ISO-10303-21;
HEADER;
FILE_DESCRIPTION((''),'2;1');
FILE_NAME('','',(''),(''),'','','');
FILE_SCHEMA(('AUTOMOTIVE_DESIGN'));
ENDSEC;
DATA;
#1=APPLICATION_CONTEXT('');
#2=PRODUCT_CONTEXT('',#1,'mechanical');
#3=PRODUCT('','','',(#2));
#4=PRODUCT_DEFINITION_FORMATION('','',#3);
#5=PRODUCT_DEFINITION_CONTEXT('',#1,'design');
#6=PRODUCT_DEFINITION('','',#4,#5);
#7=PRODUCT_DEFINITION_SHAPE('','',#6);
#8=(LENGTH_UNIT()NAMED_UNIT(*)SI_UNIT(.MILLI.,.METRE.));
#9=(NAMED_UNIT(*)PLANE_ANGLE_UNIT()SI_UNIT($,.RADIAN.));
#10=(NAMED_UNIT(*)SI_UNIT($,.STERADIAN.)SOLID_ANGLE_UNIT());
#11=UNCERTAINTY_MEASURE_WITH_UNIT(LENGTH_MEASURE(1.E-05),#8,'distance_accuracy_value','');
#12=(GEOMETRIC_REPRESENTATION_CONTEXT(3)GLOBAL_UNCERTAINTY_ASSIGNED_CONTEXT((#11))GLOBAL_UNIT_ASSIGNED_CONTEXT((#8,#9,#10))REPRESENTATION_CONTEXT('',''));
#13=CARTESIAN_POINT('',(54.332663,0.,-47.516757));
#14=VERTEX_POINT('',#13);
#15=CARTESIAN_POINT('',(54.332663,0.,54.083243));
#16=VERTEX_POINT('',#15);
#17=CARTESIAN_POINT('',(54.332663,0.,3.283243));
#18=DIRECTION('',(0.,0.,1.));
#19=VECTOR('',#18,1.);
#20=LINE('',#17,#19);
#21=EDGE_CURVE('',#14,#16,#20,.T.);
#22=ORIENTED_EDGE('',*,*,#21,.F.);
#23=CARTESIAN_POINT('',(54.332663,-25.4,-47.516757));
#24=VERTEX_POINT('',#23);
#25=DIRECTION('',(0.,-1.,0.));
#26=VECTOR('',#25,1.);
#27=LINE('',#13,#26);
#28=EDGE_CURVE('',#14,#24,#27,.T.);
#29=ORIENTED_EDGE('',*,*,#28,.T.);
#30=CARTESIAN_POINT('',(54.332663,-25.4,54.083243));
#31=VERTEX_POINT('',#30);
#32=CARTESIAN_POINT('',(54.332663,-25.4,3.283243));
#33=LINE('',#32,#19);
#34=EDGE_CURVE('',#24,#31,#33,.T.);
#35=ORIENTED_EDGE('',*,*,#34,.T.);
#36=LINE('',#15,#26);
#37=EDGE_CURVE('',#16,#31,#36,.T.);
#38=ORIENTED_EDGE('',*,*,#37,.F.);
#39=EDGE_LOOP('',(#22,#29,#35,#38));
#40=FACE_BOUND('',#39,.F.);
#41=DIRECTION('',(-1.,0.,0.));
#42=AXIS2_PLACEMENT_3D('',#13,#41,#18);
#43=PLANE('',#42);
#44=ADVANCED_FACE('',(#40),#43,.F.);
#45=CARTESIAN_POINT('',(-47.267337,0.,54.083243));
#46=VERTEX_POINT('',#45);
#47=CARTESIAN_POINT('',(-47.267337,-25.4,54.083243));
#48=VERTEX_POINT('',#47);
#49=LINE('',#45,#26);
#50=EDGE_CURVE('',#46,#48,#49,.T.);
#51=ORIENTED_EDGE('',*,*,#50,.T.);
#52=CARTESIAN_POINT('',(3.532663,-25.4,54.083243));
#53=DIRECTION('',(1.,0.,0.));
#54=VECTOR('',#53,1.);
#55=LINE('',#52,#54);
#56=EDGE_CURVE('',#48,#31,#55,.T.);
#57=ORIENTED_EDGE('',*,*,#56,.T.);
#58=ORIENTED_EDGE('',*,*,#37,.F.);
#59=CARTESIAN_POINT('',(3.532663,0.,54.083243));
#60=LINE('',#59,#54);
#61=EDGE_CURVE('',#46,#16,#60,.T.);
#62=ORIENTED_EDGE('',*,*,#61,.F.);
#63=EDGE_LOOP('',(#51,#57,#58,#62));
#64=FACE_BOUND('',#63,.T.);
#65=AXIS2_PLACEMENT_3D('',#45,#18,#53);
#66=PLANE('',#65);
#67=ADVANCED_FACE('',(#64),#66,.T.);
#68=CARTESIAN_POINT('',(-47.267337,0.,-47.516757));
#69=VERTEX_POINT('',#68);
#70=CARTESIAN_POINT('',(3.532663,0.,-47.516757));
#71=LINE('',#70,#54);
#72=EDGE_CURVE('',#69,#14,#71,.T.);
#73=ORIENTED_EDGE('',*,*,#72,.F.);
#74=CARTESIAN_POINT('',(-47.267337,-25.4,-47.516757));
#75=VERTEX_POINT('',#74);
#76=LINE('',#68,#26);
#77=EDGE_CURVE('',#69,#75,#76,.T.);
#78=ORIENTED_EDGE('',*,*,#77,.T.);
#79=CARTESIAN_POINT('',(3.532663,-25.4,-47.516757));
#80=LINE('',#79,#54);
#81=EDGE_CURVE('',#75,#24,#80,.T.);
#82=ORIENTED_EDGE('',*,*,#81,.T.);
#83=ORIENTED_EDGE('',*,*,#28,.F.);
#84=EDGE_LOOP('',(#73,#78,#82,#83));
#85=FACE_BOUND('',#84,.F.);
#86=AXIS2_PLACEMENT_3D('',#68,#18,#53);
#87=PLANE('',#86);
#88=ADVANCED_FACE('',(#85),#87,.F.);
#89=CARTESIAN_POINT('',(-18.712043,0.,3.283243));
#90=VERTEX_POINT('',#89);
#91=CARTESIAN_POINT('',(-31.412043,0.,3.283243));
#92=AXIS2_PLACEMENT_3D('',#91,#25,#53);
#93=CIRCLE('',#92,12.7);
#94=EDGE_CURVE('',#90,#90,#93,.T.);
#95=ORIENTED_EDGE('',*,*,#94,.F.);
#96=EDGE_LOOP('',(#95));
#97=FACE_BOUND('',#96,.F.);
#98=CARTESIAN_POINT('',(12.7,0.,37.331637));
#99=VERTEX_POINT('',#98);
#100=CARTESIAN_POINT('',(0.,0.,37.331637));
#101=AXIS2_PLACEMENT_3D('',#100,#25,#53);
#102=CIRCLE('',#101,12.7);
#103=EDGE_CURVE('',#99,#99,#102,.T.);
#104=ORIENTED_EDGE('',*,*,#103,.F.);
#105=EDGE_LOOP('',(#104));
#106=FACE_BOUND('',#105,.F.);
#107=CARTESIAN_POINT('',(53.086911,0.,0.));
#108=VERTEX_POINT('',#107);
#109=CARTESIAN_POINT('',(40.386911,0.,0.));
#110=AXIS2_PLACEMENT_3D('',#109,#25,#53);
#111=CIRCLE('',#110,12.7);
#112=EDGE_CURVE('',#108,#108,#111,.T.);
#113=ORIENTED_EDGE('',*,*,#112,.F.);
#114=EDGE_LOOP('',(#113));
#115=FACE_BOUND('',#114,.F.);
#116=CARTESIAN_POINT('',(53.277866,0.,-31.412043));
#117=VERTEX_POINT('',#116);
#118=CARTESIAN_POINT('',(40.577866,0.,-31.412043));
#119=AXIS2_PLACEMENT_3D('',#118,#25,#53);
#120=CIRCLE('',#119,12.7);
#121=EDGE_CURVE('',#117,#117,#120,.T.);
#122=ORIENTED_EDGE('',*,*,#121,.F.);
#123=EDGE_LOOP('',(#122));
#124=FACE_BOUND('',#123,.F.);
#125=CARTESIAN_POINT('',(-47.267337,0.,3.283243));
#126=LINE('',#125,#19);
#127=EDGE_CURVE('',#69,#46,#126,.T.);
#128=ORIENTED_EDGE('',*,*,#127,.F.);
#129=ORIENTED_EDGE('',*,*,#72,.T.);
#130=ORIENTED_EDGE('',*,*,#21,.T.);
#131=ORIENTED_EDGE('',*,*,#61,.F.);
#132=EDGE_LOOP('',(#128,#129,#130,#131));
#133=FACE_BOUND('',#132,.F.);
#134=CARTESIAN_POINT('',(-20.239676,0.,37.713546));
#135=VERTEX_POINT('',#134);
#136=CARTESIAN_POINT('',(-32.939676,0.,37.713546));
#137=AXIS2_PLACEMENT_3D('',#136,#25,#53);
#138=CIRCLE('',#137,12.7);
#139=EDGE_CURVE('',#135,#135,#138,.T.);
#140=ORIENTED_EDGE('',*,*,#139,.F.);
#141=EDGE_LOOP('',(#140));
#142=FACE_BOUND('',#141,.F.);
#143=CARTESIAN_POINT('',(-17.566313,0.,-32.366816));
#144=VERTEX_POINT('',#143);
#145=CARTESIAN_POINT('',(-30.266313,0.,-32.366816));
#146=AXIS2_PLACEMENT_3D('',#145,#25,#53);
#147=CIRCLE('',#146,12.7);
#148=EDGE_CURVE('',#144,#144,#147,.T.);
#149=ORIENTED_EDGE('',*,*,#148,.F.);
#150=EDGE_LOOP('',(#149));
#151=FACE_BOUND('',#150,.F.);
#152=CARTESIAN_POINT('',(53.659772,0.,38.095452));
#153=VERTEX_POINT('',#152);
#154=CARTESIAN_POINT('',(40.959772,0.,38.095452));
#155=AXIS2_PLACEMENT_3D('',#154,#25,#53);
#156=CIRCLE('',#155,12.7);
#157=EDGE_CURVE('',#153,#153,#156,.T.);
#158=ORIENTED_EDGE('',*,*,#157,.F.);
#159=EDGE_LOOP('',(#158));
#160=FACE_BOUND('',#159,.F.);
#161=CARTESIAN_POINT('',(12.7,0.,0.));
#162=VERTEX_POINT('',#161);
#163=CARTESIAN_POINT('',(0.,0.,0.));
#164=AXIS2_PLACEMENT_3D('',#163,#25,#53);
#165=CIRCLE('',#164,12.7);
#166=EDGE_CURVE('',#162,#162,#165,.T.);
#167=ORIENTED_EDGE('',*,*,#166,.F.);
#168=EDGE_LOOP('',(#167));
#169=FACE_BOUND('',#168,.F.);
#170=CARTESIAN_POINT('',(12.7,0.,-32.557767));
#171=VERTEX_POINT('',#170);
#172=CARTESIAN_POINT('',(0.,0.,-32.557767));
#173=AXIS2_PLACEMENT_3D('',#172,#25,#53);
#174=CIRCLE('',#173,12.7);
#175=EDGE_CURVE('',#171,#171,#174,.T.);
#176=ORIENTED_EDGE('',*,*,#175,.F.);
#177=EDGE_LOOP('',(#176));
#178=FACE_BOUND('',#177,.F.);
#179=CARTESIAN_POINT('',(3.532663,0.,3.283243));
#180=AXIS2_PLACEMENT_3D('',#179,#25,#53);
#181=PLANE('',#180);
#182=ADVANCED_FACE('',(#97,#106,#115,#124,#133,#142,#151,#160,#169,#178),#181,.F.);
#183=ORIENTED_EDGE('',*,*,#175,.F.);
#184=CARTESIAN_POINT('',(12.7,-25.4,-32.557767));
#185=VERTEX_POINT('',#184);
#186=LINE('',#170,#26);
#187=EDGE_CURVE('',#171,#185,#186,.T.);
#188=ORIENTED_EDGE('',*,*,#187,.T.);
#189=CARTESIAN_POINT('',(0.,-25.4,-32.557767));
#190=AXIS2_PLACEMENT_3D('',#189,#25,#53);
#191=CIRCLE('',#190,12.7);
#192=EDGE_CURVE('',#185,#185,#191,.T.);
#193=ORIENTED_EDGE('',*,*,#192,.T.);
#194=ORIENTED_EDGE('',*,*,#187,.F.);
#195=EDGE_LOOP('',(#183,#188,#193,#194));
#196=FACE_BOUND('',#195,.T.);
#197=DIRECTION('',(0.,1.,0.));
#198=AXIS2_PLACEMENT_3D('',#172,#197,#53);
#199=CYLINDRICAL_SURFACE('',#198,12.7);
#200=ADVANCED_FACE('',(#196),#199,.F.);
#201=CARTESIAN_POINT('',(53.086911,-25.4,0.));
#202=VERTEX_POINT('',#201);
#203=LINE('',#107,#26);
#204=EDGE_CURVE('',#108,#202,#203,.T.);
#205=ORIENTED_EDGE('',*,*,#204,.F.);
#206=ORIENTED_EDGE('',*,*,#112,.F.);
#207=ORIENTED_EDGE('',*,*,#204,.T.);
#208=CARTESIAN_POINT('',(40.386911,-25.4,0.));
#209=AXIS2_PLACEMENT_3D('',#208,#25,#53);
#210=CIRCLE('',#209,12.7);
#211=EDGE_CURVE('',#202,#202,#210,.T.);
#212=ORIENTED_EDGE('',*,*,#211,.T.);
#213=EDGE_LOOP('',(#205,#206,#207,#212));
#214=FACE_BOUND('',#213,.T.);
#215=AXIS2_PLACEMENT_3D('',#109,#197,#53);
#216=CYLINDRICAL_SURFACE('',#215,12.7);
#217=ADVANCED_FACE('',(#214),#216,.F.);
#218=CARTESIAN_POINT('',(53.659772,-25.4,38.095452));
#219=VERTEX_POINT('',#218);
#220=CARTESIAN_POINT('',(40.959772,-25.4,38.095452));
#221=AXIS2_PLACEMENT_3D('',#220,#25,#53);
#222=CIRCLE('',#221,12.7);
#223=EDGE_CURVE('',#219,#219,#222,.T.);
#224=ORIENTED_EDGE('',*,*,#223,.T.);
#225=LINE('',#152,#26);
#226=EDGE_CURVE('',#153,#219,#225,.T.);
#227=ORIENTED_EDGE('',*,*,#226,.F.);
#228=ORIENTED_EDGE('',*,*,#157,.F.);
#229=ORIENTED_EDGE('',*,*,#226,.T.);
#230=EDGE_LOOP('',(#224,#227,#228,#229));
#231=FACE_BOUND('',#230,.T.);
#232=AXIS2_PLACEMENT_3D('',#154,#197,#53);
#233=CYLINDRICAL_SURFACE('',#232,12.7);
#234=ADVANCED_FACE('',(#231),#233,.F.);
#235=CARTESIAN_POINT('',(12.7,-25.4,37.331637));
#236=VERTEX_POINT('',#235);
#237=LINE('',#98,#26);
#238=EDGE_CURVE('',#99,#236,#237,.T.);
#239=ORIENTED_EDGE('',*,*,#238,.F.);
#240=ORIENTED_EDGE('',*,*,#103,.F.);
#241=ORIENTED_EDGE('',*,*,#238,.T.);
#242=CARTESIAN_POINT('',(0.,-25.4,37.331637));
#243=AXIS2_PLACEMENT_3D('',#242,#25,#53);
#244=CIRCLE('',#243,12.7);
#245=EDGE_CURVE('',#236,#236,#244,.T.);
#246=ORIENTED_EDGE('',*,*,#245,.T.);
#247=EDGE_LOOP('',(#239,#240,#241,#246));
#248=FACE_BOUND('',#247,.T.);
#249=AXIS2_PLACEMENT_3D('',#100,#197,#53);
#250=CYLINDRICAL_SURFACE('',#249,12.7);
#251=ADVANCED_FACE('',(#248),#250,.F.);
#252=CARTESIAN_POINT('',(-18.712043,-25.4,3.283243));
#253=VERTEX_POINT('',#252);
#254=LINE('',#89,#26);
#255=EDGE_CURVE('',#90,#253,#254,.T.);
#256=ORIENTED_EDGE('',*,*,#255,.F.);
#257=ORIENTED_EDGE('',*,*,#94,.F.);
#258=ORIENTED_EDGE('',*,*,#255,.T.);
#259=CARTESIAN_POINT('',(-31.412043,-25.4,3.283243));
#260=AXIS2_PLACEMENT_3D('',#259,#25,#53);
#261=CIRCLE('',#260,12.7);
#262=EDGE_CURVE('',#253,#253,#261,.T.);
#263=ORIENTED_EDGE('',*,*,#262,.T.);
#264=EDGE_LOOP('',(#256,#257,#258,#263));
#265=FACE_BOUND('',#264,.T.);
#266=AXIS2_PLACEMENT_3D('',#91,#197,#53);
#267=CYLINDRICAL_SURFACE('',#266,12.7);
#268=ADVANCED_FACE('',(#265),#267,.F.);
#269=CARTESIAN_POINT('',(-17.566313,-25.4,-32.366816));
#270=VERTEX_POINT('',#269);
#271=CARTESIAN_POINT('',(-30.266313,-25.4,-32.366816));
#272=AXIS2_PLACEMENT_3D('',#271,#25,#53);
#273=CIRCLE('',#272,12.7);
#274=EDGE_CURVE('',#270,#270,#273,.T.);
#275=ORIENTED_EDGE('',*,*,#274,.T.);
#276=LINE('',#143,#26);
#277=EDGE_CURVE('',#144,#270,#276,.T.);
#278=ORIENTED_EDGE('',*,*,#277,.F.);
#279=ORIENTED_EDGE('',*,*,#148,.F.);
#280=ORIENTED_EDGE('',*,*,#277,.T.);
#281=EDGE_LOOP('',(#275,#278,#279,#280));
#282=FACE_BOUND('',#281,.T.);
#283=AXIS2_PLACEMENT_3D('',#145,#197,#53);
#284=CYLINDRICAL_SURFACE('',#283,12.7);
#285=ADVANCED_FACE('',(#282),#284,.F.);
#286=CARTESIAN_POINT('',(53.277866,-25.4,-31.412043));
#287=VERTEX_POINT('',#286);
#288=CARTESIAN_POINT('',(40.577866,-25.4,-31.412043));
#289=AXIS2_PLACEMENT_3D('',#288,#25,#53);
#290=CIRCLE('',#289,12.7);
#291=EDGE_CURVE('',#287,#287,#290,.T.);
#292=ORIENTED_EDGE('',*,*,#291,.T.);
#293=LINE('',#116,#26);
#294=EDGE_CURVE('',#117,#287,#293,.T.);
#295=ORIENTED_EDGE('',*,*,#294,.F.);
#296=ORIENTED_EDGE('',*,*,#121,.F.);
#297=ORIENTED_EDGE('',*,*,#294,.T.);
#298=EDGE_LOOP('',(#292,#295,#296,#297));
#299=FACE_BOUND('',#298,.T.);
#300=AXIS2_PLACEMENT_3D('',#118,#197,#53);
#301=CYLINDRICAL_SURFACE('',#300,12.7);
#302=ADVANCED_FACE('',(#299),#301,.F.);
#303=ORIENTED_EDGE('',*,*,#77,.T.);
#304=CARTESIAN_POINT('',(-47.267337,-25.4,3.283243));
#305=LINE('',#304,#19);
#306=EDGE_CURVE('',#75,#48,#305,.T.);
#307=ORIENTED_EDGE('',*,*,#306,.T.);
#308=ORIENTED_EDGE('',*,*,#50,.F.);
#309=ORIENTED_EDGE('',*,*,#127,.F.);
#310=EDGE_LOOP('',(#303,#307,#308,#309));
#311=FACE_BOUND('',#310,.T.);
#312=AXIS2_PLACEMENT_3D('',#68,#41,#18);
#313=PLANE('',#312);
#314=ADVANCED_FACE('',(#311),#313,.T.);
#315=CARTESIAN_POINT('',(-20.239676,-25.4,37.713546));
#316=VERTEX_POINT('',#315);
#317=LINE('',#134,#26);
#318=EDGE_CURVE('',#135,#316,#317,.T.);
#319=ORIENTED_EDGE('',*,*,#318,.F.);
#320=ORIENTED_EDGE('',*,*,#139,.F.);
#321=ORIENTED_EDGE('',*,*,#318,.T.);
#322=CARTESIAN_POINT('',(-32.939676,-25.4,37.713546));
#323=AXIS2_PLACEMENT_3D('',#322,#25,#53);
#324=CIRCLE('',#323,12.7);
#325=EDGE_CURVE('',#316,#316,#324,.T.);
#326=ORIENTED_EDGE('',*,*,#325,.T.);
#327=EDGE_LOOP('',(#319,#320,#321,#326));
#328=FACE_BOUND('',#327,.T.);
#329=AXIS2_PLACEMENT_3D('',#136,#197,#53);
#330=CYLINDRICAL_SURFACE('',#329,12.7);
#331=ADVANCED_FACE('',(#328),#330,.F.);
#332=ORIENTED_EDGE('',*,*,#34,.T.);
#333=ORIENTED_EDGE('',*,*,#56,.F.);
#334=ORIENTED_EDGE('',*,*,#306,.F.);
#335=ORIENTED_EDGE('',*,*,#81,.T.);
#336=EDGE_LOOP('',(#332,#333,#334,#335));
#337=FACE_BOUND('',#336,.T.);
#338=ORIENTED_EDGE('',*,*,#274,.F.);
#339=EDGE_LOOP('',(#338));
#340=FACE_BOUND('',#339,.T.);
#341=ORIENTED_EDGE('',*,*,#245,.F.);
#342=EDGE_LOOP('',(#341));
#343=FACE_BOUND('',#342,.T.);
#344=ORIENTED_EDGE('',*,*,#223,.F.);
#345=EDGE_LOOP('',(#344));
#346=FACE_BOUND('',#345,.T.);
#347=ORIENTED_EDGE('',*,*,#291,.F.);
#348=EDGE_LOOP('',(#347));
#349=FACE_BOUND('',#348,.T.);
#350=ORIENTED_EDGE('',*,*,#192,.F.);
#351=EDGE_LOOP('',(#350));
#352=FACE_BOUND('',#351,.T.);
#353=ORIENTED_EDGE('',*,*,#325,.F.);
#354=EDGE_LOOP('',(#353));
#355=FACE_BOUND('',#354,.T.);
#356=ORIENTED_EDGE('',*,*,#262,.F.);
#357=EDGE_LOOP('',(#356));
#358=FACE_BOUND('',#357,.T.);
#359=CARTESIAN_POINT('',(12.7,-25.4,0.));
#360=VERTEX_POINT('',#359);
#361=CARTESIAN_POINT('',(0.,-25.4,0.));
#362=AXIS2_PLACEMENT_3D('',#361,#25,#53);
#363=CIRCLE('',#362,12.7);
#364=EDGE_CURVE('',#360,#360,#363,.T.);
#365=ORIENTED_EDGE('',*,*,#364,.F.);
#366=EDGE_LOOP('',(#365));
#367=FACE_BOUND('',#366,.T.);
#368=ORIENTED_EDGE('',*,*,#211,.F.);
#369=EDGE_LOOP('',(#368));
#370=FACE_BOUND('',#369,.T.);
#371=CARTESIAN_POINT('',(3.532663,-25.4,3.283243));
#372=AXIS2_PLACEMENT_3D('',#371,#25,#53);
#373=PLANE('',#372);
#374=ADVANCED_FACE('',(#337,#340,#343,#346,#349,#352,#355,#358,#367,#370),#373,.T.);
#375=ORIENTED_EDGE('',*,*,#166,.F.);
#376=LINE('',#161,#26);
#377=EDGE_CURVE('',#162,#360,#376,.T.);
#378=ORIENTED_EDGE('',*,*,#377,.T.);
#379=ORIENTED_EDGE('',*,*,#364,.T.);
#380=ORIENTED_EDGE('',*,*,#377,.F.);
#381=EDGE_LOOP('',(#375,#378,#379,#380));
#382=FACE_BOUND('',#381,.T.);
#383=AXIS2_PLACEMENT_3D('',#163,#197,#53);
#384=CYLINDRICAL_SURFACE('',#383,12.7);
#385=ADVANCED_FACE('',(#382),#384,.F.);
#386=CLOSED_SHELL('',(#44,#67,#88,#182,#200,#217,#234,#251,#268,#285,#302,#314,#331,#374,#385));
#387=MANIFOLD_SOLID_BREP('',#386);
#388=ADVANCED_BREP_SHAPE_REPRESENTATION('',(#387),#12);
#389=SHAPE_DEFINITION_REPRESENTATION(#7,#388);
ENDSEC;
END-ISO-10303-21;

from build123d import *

# Parameters (mm, degrees)
F0_W     = 101.6
F0_H     = 101.6
F0_R     = 12.7
F1_DEPTH = 25.4


with BuildPart() as f1:
    # F0 (on Front) → F1 (new body)
    with BuildSketch(Plane.XZ):
        with Locations((3.532663, 3.283243)):
            Rectangle(F0_W, F0_H)
        with Locations((-30.266313, -32.366816)):
            Circle(F0_R, mode=Mode.SUBTRACT)
        with Locations((0, -32.557767)):
            Circle(F0_R, mode=Mode.SUBTRACT)
        Circle(F0_R, mode=Mode.SUBTRACT)
        with Locations((40.577866, -31.412043)):
            Circle(F0_R, mode=Mode.SUBTRACT)
        with Locations((40.386911, 0)):
            Circle(F0_R, mode=Mode.SUBTRACT)
        with Locations((-31.412043, 3.283243)):
            Circle(F0_R, mode=Mode.SUBTRACT)
        with Locations((-32.939676, 37.713546)):
            Circle(F0_R, mode=Mode.SUBTRACT)
        with Locations((0, 37.331637)):
            Circle(F0_R, mode=Mode.SUBTRACT)
        with Locations((40.959772, 38.095452)):
            Circle(F0_R, mode=Mode.SUBTRACT)
    extrude(amount=F1_DEPTH)


solid = f1.part
